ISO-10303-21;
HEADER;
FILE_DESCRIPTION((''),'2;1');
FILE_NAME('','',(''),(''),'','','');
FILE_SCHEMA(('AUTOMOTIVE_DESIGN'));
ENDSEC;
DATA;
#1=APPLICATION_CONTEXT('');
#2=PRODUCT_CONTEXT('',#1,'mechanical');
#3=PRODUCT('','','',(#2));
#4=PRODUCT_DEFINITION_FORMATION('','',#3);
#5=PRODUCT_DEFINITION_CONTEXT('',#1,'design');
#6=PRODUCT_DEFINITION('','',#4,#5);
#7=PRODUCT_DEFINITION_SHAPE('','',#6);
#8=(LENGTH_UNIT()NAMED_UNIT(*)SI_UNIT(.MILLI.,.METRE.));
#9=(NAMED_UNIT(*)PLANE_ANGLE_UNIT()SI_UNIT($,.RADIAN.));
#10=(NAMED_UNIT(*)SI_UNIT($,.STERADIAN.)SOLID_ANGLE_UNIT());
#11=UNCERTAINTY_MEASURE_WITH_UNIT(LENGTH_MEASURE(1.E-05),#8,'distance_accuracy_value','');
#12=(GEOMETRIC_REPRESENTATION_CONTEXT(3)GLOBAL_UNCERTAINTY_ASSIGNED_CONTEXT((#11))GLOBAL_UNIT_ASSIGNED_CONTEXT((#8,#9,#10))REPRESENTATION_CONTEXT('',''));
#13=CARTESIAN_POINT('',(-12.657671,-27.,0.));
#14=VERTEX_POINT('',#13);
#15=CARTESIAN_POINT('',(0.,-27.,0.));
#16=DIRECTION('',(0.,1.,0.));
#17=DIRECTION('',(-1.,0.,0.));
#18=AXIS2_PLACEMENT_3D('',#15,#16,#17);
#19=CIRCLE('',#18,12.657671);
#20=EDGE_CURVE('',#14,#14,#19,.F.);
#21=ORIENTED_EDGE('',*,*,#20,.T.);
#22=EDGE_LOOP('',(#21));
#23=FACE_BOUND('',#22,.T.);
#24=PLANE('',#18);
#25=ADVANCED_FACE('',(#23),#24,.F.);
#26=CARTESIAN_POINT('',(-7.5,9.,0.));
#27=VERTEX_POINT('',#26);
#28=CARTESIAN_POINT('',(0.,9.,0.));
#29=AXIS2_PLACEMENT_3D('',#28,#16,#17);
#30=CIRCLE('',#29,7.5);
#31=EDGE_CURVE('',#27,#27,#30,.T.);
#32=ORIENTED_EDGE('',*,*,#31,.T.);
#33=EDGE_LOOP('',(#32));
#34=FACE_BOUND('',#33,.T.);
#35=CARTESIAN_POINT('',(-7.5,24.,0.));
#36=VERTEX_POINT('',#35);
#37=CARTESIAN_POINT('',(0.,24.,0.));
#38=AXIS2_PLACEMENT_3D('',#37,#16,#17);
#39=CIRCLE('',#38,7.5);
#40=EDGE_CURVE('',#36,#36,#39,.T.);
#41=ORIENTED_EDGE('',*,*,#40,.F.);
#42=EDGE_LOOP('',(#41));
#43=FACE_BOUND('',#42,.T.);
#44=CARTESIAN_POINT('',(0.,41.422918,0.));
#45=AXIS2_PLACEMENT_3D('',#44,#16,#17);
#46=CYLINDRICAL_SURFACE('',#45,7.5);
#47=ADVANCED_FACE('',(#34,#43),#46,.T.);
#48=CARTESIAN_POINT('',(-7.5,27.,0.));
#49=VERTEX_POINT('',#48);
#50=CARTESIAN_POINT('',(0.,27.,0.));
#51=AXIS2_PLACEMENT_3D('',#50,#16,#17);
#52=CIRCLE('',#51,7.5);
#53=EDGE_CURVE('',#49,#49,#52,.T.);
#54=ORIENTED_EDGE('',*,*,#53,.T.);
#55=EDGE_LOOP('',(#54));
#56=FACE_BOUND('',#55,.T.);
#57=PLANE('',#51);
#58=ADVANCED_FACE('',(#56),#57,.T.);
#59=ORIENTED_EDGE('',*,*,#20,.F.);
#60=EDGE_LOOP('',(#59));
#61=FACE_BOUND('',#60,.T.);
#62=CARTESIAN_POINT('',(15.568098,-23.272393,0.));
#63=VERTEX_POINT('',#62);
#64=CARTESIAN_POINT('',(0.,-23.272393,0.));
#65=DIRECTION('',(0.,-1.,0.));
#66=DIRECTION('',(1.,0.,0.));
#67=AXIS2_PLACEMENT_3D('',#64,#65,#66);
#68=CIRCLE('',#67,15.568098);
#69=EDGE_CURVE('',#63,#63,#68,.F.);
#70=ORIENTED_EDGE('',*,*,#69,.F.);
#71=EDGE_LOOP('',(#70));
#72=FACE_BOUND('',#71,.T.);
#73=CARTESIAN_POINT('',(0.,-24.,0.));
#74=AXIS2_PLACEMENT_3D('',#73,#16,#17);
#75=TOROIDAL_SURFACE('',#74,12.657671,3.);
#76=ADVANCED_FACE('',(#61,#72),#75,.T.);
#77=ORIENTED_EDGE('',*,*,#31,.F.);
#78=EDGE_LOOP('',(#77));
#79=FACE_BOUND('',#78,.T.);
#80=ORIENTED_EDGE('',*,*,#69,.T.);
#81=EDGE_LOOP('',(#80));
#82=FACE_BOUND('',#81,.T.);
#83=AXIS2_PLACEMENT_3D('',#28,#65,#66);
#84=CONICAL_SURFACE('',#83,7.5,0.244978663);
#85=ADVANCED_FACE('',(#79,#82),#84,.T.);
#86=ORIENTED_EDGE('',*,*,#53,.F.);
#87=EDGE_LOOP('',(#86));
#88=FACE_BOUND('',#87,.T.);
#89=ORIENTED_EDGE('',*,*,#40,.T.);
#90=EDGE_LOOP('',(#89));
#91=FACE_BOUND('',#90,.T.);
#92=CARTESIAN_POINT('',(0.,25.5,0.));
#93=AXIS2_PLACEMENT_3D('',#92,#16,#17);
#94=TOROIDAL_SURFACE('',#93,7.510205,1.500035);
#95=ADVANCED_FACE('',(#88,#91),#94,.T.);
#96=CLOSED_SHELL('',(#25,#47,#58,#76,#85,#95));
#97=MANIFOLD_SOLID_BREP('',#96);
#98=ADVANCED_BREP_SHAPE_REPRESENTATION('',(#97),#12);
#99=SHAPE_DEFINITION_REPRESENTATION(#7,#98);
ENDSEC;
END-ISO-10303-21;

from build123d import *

# Parameters (mm, degrees)
FILLET1_R = 3


with BuildPart() as part:
    # Sketch1 → Revolve1 (revolve)
    with BuildSketch(Plane.XY, mode=Mode.PRIVATE) as revolve1_sk:
        Polygon((7.5, 9), (16.5, -27), (0, -27), (0, 27), (7.5, 27), (7.5, 24), align=None)
        with BuildLine():
            Line((7.5, 27), (7.5, 24))
            ThreePointArc((7.5, 24), (9.01023977, 25.5), (7.5, 27))
        make_face()
    revolve(revolve1_sk.sketch.rotate(Axis((0, 41.422918103, 0), (0, -1, 0)), 180), axis=Axis((0, 41.422918103, 0), (0, -1, 0)))

    # Fillet1
    fillet1_edges = [part.edges().sort_by_distance(p)[0] for p in [
        (16.5, -27, 0),
    ]]
    fillet(fillet1_edges, radius=FILLET1_R)


solid = part.part
